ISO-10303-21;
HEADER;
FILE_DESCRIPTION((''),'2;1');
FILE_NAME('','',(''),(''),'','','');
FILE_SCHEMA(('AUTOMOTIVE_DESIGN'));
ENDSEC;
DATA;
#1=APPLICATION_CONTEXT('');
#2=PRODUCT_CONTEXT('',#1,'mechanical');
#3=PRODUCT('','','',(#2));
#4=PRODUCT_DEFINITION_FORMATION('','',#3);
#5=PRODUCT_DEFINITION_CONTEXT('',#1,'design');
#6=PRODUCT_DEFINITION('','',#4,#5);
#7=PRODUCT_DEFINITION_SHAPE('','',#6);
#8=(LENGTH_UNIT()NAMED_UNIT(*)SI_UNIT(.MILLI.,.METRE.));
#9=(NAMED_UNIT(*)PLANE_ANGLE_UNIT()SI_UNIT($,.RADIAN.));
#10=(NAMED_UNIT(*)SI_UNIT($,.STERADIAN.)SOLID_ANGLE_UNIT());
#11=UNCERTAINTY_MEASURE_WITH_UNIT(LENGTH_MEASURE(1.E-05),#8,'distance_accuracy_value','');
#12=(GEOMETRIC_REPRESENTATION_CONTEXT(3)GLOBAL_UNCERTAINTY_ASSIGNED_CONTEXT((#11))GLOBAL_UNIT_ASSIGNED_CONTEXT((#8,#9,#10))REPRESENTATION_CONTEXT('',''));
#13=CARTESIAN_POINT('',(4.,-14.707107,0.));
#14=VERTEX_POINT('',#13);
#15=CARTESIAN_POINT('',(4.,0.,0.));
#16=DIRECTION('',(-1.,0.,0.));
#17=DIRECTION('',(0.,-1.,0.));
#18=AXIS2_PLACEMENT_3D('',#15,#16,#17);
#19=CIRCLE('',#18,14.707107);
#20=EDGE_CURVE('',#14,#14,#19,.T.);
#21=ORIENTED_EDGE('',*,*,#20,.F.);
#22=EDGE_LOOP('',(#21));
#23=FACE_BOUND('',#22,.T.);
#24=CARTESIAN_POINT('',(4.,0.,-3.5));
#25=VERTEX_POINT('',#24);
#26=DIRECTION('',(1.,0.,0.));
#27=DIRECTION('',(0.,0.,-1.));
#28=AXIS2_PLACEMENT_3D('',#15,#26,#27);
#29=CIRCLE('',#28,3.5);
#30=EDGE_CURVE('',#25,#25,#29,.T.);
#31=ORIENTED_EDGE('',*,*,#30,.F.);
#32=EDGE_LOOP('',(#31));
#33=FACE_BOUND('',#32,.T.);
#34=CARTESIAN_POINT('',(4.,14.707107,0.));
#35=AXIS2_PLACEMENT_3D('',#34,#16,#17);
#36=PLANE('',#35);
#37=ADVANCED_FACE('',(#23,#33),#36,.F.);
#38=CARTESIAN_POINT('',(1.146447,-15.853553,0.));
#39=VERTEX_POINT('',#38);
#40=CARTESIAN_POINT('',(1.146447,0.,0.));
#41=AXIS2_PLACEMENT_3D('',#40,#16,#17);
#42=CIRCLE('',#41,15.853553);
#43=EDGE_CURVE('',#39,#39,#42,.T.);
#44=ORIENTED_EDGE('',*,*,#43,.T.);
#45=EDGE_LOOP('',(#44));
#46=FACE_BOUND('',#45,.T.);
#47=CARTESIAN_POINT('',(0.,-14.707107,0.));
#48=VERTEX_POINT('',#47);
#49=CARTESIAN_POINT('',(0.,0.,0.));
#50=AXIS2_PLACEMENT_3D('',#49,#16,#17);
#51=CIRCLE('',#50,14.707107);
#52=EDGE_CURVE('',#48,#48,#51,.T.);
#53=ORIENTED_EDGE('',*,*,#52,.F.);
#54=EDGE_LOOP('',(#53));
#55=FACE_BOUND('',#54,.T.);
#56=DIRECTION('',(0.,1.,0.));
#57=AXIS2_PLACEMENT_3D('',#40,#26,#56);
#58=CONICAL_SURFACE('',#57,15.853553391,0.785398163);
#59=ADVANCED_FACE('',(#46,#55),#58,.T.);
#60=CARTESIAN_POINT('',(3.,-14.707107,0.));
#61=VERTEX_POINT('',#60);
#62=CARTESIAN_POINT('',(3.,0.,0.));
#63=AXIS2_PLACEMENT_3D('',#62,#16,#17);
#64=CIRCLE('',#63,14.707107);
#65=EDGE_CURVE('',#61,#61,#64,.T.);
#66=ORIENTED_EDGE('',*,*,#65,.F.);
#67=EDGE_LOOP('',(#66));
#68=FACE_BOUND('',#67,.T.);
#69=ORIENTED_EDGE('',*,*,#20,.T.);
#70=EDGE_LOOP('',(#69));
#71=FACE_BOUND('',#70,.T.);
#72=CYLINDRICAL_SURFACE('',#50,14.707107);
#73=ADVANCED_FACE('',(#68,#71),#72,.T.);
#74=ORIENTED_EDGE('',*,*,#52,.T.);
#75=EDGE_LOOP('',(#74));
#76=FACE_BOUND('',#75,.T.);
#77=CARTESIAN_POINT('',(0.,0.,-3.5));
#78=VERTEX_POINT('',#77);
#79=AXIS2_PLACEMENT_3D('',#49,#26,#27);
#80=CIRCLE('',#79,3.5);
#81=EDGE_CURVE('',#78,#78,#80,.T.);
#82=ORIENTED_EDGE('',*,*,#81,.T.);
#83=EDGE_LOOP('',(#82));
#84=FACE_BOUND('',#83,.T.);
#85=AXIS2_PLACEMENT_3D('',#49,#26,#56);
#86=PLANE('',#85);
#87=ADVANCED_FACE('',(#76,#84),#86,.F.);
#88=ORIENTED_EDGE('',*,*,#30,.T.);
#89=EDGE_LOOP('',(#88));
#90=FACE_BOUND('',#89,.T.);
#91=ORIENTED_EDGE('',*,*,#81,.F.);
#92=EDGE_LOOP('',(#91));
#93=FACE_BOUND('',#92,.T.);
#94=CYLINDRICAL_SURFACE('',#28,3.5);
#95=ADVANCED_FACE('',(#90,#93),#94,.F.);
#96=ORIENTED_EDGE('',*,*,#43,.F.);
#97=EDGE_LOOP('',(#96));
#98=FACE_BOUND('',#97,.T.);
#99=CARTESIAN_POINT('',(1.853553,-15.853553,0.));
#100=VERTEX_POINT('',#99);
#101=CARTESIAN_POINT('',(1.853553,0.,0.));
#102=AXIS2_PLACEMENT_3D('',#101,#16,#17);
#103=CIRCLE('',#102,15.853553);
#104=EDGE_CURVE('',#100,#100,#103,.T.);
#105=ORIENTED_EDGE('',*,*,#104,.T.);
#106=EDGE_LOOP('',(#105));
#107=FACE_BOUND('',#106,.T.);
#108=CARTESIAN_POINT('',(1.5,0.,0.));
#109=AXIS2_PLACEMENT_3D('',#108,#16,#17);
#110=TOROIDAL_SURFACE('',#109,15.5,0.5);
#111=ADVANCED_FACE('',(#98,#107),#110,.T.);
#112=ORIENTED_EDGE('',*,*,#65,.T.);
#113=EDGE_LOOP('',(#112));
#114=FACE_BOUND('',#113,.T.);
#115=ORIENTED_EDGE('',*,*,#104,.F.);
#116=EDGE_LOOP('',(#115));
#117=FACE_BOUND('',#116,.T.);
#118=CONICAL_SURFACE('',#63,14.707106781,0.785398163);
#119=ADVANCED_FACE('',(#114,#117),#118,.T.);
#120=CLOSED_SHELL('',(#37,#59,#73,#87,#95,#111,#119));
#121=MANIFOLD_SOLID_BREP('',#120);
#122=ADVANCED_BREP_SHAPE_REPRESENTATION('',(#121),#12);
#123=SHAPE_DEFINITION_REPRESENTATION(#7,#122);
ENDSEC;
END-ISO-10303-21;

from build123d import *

# Parameters (mm, degrees)
ESQUISSE6_W = 4
ESQUISSE6_H = 3.5


with BuildPart() as part:
    # Esquisse1 → Révolution1 (revolve)
    with BuildSketch(Plane.XY, mode=Mode.PRIVATE) as r_volution1_sk:
        with BuildLine():
            Line((0, 0), (0, 14.707106781))
            Line((0, 14.707106781), (1.146446609, 15.853553391))
            ThreePointArc((1.146446609, 15.853553391), (1.5, 16), (1.853553391, 15.853553391))
            Line((1.853553391, 15.853553391), (3, 14.707106781))
            Line((3, 14.707106781), (4, 14.707106781))
            Line((4, 14.707106781), (4, 0))
            Line((4, 0), (0, 0))
        make_face()
    revolve(r_volution1_sk.sketch.rotate(Axis((0, 0, 0), (1, 0, 0)), 180), axis=Axis((0, 0, 0), (1, 0, 0)))

    # Esquisse6 → Enlèvement de matière-Révolution1 (revolve, cut)
    with BuildSketch(Plane.XY, mode=Mode.PRIVATE) as enl_vement_de_mati_re_r_volution1_sk:
        with Locations((2, 1.75)):
            Rectangle(ESQUISSE6_W, ESQUISSE6_H)
    revolve(enl_vement_de_mati_re_r_volution1_sk.sketch.rotate(Axis((4, 0, 0), (-1, 0, 0)), 90), axis=Axis((4, 0, 0), (-1, 0, 0)), mode=Mode.SUBTRACT)


solid = part.part
